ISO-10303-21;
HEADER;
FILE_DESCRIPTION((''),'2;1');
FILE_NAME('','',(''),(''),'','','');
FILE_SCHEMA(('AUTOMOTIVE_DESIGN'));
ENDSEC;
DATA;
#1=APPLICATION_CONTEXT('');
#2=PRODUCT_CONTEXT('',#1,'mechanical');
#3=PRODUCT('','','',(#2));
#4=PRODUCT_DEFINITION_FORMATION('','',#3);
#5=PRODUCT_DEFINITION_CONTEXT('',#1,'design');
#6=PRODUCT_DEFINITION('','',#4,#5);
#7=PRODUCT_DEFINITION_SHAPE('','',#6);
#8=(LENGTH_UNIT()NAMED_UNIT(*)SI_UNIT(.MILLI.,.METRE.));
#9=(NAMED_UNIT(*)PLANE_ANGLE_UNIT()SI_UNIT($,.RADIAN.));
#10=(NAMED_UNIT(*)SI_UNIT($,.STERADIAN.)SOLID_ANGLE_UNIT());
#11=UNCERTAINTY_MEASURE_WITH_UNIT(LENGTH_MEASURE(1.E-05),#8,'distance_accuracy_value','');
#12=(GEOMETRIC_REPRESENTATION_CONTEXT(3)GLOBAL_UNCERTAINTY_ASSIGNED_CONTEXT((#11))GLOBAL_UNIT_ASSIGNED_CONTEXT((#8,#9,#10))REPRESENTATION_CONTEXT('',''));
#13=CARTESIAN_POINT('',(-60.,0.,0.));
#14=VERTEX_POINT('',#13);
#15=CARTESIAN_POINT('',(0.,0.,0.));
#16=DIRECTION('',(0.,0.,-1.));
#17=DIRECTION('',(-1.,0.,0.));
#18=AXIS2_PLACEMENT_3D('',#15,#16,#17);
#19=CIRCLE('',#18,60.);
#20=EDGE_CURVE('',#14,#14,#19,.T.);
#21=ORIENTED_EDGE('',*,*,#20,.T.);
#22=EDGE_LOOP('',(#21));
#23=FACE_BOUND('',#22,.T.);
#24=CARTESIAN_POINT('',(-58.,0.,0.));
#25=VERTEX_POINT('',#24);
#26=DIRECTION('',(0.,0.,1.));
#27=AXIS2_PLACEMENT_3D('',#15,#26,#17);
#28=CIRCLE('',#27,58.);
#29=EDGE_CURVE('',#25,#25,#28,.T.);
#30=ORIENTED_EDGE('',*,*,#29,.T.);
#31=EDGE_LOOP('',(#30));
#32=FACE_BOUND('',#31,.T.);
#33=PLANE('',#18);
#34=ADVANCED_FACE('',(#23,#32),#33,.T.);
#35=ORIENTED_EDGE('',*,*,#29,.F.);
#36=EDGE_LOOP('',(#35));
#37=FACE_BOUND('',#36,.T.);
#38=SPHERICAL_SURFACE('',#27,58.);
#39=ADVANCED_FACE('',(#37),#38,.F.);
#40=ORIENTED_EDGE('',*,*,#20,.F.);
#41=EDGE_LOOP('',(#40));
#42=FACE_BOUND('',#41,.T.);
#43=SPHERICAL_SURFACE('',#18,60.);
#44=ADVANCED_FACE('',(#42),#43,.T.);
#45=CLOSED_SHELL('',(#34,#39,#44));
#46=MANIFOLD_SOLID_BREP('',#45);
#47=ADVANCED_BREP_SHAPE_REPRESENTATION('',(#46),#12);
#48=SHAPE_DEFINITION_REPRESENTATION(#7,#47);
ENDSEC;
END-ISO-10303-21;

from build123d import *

# Parameters (mm, degrees)
REVOLVE_3_ANGLE = 180


with BuildPart() as part:
    # 草图1 → 旋转3 (revolve)
    with BuildSketch(Plane.XY):
        with BuildLine():
            Line((0, 60), (0, 58))
            ThreePointArc((0, 58), (58, 0), (0, -58))
            Line((0, -58), (0, -60))
            ThreePointArc((0, -60), (60, 0), (0, 60))
        make_face()
    revolve(axis=Axis((0, 60, 0), (0, -1, 0)), revolution_arc=REVOLVE_3_ANGLE)


solid = part.part
